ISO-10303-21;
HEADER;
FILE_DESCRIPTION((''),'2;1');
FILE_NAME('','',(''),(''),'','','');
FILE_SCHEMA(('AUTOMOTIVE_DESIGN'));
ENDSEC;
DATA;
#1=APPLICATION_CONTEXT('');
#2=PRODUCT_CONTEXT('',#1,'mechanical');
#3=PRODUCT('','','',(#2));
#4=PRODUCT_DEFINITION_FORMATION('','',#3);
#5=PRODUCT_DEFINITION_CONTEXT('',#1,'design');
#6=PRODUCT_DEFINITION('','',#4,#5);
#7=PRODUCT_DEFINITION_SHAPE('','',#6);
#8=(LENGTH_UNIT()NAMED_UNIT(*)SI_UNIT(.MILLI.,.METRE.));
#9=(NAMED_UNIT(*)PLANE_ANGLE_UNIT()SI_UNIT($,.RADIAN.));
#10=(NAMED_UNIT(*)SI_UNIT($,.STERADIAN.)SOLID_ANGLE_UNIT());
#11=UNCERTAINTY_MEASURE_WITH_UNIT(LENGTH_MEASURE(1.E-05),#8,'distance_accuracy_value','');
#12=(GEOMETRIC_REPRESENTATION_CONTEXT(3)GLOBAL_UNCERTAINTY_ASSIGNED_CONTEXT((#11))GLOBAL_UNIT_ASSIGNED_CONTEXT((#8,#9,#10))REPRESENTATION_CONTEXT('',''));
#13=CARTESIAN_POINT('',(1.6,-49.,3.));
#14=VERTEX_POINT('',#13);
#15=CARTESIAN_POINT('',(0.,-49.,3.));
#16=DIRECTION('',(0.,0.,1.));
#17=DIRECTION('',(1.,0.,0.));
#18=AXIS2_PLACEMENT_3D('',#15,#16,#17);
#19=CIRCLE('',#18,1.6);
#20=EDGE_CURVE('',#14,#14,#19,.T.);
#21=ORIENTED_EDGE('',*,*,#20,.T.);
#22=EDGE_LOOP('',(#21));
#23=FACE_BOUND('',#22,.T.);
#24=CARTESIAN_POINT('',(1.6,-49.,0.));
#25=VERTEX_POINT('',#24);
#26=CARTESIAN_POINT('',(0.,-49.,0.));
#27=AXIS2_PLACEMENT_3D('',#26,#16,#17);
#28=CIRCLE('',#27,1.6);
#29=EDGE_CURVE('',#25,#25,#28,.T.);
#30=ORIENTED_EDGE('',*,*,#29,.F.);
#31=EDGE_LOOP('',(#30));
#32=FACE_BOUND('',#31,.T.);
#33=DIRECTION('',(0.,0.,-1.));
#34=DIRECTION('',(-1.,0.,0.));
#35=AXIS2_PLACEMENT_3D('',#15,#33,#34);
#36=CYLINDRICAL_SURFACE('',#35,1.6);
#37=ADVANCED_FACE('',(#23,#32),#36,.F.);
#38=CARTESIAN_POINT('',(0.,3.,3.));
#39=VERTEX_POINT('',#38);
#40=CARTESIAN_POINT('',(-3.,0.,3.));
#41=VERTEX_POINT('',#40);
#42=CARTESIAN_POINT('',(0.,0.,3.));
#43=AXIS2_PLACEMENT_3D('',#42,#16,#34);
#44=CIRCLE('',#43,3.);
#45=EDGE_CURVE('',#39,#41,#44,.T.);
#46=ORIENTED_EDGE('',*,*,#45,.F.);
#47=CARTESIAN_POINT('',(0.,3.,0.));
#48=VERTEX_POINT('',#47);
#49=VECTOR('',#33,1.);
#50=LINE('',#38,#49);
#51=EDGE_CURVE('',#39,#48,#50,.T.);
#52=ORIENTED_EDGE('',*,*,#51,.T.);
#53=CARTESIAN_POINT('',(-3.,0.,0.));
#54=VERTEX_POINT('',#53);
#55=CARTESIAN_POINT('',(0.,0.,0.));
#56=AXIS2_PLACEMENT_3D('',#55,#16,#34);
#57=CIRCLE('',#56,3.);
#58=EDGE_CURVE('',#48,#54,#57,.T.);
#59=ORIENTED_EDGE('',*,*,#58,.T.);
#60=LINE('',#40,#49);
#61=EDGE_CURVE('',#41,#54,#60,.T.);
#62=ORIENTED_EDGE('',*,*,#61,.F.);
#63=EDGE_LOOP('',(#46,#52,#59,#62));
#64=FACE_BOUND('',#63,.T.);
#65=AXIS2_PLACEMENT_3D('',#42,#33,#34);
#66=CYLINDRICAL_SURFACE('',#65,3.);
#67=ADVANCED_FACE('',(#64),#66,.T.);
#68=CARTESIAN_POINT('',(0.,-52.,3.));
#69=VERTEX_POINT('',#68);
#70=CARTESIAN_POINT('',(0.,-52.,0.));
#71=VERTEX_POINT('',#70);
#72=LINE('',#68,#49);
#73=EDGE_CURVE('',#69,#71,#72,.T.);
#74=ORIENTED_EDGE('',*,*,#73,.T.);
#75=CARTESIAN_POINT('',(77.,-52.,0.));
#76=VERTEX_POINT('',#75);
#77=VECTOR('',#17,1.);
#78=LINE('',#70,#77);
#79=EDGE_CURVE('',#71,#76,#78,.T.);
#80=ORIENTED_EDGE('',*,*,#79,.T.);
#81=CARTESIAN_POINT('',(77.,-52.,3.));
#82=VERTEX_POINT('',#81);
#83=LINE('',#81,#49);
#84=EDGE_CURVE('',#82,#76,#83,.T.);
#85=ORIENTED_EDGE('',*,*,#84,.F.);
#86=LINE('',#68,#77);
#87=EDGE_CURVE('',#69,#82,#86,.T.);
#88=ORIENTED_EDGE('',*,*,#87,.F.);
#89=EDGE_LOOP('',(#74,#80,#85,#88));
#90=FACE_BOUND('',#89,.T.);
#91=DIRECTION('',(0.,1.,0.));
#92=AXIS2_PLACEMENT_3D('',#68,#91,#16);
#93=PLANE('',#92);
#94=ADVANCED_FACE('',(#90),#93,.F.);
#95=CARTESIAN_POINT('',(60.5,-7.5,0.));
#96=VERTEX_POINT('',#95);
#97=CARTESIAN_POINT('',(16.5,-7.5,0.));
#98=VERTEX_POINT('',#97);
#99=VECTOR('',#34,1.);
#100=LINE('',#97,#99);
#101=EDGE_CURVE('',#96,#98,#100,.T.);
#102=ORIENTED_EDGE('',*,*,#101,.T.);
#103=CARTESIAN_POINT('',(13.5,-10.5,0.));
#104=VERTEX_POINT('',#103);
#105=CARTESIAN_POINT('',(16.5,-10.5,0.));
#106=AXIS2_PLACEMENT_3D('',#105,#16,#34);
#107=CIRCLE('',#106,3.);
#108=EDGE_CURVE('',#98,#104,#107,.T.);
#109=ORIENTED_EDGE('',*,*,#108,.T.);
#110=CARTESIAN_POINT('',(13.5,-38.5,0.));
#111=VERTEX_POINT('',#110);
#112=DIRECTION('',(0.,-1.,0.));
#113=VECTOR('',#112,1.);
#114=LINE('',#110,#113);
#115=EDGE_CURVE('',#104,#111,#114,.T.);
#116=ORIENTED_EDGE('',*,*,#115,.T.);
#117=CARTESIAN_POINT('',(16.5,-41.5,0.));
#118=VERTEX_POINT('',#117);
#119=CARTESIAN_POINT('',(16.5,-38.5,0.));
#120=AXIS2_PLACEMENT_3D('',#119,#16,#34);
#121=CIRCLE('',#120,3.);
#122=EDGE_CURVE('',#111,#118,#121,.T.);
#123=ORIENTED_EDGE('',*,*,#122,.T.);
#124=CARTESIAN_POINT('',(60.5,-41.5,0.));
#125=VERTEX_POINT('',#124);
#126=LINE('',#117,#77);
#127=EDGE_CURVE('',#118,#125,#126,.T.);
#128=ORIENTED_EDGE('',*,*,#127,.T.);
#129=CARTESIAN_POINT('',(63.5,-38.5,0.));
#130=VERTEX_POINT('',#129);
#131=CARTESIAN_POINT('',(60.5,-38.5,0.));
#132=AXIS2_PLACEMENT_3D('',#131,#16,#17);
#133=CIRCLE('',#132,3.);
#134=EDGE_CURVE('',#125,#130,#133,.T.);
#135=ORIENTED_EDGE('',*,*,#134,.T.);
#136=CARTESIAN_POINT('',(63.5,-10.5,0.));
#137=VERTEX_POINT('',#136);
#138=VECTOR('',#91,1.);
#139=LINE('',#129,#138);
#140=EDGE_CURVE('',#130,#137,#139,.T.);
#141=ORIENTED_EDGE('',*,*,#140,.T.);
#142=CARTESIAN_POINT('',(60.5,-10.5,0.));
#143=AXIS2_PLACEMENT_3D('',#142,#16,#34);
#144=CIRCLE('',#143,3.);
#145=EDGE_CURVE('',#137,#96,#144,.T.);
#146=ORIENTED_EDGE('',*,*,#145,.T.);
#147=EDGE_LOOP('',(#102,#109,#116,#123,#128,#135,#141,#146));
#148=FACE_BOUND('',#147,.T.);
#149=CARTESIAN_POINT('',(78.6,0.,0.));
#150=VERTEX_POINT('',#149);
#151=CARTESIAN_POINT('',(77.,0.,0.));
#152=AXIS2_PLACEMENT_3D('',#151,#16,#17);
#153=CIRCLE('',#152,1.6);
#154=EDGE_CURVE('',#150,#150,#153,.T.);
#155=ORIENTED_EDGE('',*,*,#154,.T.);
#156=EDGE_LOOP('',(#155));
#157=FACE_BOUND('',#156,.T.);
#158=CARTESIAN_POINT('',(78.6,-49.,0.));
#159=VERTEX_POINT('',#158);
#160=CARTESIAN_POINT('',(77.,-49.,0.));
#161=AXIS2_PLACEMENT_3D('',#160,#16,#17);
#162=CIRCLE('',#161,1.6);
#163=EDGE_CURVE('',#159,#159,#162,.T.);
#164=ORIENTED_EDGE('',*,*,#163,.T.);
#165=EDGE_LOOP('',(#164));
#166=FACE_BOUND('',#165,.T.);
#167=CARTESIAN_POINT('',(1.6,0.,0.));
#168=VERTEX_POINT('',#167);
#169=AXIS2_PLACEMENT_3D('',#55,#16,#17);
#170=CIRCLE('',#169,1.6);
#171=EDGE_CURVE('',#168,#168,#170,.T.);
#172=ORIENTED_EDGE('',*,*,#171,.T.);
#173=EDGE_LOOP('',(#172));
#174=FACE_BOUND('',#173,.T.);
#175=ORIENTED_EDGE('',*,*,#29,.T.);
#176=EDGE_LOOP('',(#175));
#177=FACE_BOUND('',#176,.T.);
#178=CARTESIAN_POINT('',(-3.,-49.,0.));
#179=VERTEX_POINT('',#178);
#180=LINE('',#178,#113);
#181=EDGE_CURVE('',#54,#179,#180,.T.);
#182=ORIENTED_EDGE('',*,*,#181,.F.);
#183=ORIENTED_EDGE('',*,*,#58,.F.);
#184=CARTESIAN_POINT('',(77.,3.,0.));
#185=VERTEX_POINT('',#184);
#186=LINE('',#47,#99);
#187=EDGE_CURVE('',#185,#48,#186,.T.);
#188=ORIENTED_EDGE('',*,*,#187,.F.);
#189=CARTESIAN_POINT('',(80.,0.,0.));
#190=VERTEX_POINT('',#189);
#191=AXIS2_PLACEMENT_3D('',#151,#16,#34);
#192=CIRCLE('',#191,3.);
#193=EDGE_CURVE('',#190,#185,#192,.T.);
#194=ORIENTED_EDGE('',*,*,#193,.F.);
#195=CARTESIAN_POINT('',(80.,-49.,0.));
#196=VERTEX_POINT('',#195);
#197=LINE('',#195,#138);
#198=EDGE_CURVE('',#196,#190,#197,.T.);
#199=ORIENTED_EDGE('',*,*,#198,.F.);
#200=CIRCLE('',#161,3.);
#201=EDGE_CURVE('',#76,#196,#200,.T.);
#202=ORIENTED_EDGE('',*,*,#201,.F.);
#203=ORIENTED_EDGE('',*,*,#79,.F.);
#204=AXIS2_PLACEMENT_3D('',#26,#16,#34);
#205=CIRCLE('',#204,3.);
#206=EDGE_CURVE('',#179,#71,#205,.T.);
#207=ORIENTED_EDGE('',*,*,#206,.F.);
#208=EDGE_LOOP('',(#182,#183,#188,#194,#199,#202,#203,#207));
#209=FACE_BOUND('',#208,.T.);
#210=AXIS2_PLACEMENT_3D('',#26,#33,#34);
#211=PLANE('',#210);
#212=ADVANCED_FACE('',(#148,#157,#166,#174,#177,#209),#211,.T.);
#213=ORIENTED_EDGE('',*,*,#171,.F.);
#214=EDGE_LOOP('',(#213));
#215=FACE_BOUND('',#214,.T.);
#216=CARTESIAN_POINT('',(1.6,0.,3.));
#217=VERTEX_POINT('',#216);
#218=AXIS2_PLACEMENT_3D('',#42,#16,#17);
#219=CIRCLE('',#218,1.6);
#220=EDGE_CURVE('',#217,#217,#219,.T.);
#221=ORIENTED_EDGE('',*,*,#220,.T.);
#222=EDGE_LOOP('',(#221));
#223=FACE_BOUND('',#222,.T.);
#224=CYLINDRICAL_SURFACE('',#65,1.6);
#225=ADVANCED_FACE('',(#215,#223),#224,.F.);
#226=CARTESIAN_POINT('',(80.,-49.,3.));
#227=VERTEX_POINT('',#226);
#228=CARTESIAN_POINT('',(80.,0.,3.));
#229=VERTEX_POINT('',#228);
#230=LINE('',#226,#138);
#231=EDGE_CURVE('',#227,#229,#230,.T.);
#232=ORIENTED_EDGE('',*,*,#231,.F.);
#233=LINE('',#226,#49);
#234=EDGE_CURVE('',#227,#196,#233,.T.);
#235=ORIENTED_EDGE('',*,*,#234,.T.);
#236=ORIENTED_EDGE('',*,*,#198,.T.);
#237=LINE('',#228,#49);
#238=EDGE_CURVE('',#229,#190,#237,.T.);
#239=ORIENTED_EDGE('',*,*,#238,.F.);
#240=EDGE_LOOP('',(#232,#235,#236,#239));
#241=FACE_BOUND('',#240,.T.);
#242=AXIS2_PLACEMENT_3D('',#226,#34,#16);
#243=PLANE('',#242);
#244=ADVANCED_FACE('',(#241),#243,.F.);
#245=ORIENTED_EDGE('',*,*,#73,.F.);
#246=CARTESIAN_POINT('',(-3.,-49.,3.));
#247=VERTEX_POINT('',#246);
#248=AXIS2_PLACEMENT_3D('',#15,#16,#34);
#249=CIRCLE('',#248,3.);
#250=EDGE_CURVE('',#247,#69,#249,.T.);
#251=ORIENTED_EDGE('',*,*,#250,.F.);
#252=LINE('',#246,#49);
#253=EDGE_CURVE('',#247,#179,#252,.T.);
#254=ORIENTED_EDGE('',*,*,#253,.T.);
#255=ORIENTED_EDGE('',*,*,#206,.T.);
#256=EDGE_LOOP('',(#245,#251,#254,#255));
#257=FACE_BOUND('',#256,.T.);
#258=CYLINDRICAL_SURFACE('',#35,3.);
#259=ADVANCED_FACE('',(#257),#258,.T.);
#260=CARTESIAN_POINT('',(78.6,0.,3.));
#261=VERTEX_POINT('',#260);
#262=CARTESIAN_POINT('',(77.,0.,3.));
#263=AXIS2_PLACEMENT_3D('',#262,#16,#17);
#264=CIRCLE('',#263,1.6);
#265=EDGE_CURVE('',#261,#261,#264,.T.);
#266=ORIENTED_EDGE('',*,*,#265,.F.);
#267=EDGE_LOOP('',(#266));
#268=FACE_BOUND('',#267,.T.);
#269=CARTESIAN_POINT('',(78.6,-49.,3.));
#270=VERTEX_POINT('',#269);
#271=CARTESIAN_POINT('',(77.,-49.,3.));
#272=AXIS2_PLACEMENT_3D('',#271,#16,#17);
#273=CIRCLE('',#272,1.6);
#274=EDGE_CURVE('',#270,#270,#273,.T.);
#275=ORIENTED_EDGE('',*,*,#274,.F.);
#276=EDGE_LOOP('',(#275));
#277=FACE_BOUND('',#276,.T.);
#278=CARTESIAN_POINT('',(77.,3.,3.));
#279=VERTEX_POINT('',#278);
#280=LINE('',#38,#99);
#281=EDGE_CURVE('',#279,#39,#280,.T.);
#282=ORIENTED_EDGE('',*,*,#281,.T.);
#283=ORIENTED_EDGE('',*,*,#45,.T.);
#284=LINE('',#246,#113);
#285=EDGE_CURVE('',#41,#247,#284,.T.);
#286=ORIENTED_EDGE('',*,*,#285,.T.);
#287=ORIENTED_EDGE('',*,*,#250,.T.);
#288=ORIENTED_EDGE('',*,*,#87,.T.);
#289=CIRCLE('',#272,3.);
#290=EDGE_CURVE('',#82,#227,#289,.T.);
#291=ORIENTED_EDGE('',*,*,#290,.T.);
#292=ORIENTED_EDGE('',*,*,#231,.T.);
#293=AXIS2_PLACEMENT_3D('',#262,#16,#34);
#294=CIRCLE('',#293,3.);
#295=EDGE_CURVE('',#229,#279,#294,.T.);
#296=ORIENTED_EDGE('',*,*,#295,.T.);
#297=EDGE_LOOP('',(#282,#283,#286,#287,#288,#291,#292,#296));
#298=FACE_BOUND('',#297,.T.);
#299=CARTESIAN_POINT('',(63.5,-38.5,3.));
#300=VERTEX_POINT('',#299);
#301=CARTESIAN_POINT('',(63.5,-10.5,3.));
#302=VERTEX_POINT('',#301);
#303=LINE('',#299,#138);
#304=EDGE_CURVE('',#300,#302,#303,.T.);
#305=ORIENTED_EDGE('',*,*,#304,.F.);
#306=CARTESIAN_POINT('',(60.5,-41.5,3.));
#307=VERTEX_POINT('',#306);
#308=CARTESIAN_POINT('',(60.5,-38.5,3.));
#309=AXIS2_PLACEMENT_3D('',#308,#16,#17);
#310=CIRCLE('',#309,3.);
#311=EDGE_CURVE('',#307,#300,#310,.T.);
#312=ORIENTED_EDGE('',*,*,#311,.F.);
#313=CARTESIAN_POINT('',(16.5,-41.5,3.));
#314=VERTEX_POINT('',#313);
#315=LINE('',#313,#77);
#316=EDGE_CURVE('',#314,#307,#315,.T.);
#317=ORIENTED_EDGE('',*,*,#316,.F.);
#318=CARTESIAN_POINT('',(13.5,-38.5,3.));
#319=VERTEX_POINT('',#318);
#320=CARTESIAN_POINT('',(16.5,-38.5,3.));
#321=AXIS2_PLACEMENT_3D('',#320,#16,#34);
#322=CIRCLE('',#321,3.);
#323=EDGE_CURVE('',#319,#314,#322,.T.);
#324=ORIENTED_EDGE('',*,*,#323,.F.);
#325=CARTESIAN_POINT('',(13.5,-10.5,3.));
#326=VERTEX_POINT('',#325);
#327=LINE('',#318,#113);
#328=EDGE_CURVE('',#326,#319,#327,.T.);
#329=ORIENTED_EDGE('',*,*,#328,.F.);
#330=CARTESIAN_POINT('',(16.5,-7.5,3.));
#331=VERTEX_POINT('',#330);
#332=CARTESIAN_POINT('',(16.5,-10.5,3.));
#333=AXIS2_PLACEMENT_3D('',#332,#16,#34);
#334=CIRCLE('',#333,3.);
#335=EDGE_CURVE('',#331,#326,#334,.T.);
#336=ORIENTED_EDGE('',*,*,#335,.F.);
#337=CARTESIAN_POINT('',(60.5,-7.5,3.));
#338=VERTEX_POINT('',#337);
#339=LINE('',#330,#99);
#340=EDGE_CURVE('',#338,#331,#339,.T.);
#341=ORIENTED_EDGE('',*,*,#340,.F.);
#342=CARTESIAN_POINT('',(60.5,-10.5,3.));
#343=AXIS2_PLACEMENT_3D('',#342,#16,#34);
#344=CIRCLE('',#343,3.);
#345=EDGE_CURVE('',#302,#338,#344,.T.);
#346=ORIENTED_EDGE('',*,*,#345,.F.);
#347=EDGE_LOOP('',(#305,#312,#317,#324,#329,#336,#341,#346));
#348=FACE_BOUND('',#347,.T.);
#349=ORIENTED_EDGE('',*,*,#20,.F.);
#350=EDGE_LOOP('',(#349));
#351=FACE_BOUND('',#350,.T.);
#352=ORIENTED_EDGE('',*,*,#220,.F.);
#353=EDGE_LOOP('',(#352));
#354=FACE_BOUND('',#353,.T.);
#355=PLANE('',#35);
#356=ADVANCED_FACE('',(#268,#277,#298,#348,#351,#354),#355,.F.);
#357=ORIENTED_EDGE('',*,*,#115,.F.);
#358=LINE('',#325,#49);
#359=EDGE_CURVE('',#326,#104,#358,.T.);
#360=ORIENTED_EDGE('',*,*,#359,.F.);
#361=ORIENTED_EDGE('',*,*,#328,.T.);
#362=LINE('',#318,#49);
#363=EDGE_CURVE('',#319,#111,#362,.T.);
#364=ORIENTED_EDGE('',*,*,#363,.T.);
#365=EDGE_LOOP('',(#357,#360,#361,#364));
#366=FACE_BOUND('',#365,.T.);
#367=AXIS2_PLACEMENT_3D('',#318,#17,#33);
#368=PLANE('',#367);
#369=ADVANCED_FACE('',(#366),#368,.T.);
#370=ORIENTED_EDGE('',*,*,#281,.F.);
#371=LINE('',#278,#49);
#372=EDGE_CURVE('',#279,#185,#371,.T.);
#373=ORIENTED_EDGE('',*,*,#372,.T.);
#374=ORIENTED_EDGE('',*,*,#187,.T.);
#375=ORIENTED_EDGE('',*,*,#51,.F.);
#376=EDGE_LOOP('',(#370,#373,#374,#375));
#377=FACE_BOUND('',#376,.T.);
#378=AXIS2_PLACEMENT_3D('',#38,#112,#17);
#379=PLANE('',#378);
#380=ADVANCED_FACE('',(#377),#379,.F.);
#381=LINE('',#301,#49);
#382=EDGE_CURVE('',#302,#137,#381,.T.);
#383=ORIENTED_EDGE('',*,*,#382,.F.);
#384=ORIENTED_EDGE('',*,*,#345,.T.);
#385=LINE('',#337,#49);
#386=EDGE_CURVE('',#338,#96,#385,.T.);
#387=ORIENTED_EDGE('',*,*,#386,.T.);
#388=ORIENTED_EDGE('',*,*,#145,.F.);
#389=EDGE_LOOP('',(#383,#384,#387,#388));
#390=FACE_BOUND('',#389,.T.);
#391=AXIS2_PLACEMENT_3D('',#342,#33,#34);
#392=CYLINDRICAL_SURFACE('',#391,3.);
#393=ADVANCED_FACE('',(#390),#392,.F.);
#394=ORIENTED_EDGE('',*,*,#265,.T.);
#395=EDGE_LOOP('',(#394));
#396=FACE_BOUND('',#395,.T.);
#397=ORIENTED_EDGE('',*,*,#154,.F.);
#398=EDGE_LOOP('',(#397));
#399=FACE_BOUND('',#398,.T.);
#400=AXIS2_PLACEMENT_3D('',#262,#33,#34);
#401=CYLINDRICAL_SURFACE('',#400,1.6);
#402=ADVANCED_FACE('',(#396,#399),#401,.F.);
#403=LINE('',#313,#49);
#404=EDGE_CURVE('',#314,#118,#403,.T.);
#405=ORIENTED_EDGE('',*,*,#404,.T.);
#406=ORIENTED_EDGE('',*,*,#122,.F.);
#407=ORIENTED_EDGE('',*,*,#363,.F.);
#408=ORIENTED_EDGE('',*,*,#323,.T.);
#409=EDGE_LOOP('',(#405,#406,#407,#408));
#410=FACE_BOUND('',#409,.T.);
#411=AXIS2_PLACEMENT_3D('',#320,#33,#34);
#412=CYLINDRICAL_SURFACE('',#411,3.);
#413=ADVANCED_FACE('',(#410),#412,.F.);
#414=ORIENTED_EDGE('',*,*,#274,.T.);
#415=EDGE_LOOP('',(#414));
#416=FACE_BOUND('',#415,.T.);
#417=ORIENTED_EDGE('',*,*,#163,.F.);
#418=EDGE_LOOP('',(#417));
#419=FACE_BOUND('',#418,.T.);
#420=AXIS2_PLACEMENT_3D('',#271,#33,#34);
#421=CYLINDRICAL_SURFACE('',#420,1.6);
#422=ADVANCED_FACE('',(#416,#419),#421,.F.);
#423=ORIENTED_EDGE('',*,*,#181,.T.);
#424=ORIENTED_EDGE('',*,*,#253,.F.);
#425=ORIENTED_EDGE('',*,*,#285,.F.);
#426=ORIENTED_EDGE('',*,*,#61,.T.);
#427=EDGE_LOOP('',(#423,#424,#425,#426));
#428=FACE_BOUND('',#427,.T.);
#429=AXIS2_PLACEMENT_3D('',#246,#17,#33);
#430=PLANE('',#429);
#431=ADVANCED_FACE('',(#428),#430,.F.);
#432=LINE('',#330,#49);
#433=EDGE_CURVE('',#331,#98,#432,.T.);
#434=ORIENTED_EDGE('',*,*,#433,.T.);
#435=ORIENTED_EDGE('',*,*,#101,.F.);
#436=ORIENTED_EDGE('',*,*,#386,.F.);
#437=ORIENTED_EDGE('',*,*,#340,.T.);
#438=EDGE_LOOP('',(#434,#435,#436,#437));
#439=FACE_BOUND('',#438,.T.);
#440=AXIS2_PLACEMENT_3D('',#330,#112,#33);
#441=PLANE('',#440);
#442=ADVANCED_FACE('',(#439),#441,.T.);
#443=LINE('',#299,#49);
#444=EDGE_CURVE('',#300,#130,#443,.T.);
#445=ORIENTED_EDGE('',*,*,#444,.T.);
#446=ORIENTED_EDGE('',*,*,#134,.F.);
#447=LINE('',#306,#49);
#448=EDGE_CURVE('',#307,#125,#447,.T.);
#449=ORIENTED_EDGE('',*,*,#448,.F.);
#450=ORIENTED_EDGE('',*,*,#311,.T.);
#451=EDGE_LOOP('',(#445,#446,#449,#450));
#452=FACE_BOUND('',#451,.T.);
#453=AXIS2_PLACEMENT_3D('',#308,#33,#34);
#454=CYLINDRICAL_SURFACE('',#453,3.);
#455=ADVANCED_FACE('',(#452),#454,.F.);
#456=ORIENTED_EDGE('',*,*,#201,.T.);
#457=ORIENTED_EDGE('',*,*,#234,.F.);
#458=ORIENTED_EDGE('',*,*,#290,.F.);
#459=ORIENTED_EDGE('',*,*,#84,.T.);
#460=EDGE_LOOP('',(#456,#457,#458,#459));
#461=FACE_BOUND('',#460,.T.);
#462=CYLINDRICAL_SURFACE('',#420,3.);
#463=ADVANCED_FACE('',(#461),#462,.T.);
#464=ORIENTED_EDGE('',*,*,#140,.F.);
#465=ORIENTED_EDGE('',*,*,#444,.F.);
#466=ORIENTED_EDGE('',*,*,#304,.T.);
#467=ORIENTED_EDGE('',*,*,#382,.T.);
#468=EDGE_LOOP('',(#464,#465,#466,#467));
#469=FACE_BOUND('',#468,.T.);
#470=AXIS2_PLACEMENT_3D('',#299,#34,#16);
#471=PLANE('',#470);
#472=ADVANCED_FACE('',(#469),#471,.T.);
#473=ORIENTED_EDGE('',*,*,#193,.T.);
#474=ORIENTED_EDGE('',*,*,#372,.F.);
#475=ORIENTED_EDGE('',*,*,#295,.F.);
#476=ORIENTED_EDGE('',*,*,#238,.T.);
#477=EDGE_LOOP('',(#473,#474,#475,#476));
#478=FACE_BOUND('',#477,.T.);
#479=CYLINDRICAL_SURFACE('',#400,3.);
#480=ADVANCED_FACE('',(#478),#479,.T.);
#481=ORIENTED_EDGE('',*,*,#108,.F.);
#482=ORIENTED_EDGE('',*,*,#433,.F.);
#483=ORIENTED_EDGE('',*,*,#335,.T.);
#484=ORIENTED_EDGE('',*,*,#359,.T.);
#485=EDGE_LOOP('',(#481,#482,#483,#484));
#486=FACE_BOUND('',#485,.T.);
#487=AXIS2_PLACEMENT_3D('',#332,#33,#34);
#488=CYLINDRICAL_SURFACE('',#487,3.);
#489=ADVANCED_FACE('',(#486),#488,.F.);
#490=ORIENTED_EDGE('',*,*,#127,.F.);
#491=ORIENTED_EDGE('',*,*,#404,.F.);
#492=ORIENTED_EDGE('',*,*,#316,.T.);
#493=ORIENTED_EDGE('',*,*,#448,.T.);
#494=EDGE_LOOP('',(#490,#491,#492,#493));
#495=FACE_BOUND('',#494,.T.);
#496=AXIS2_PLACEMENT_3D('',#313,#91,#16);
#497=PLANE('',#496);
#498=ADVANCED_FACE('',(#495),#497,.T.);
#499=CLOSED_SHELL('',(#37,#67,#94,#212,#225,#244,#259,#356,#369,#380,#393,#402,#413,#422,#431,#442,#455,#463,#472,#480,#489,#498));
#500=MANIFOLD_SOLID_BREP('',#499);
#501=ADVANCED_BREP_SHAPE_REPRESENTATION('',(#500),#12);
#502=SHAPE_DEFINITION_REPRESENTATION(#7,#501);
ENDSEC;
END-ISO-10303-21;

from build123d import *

# Parameters (mm, degrees)
SKETCH_1_R      = 1.6
EXTRUDE_1_DEPTH = 3


with BuildPart() as part:
    # 草图1 → 凸台-拉伸1 (new body)
    with BuildSketch(Plane.XY):
        with BuildLine():
            Line((0, -52), (77, -52))
            ThreePointArc((77, -52), (79.121320344, -51.121320344), (80, -49))
            Line((80, -49), (80, 0))
            ThreePointArc((80, 0), (79.121320344, 2.121320344), (77, 3))
            Line((77, 3), (0, 3))
            ThreePointArc((0, 3), (-2.121320344, 2.121320344), (-3, 0))
            Line((-3, 0), (-3, -49))
            ThreePointArc((-3, -49), (-2.121320344, -51.121320344), (0, -52))
        make_face()
        Circle(SKETCH_1_R, mode=Mode.SUBTRACT)
        with Locations((77, 0)):
            Circle(SKETCH_1_R, mode=Mode.SUBTRACT)
        with Locations((0, -49)):
            Circle(SKETCH_1_R, mode=Mode.SUBTRACT)
        with Locations((77, -49)):
            Circle(SKETCH_1_R, mode=Mode.SUBTRACT)
        with BuildLine():
            Line((16.5, -41.5), (60.5, -41.5))
            ThreePointArc((60.5, -41.5), (62.621320344, -40.621320344), (63.5, -38.5))
            Line((63.5, -38.5), (63.5, -10.5))
            ThreePointArc((63.5, -10.5), (62.621320344, -8.378679656), (60.5, -7.5))
            Line((60.5, -7.5), (16.5, -7.5))
            ThreePointArc((16.5, -7.5), (14.378679656, -8.378679656), (13.5, -10.5))
            Line((13.5, -10.5), (13.5, -38.5))
            ThreePointArc((13.5, -38.5), (14.378679656, -40.621320344), (16.5, -41.5))
        make_face(mode=Mode.SUBTRACT)
    extrude(amount=EXTRUDE_1_DEPTH)


solid = part.part
